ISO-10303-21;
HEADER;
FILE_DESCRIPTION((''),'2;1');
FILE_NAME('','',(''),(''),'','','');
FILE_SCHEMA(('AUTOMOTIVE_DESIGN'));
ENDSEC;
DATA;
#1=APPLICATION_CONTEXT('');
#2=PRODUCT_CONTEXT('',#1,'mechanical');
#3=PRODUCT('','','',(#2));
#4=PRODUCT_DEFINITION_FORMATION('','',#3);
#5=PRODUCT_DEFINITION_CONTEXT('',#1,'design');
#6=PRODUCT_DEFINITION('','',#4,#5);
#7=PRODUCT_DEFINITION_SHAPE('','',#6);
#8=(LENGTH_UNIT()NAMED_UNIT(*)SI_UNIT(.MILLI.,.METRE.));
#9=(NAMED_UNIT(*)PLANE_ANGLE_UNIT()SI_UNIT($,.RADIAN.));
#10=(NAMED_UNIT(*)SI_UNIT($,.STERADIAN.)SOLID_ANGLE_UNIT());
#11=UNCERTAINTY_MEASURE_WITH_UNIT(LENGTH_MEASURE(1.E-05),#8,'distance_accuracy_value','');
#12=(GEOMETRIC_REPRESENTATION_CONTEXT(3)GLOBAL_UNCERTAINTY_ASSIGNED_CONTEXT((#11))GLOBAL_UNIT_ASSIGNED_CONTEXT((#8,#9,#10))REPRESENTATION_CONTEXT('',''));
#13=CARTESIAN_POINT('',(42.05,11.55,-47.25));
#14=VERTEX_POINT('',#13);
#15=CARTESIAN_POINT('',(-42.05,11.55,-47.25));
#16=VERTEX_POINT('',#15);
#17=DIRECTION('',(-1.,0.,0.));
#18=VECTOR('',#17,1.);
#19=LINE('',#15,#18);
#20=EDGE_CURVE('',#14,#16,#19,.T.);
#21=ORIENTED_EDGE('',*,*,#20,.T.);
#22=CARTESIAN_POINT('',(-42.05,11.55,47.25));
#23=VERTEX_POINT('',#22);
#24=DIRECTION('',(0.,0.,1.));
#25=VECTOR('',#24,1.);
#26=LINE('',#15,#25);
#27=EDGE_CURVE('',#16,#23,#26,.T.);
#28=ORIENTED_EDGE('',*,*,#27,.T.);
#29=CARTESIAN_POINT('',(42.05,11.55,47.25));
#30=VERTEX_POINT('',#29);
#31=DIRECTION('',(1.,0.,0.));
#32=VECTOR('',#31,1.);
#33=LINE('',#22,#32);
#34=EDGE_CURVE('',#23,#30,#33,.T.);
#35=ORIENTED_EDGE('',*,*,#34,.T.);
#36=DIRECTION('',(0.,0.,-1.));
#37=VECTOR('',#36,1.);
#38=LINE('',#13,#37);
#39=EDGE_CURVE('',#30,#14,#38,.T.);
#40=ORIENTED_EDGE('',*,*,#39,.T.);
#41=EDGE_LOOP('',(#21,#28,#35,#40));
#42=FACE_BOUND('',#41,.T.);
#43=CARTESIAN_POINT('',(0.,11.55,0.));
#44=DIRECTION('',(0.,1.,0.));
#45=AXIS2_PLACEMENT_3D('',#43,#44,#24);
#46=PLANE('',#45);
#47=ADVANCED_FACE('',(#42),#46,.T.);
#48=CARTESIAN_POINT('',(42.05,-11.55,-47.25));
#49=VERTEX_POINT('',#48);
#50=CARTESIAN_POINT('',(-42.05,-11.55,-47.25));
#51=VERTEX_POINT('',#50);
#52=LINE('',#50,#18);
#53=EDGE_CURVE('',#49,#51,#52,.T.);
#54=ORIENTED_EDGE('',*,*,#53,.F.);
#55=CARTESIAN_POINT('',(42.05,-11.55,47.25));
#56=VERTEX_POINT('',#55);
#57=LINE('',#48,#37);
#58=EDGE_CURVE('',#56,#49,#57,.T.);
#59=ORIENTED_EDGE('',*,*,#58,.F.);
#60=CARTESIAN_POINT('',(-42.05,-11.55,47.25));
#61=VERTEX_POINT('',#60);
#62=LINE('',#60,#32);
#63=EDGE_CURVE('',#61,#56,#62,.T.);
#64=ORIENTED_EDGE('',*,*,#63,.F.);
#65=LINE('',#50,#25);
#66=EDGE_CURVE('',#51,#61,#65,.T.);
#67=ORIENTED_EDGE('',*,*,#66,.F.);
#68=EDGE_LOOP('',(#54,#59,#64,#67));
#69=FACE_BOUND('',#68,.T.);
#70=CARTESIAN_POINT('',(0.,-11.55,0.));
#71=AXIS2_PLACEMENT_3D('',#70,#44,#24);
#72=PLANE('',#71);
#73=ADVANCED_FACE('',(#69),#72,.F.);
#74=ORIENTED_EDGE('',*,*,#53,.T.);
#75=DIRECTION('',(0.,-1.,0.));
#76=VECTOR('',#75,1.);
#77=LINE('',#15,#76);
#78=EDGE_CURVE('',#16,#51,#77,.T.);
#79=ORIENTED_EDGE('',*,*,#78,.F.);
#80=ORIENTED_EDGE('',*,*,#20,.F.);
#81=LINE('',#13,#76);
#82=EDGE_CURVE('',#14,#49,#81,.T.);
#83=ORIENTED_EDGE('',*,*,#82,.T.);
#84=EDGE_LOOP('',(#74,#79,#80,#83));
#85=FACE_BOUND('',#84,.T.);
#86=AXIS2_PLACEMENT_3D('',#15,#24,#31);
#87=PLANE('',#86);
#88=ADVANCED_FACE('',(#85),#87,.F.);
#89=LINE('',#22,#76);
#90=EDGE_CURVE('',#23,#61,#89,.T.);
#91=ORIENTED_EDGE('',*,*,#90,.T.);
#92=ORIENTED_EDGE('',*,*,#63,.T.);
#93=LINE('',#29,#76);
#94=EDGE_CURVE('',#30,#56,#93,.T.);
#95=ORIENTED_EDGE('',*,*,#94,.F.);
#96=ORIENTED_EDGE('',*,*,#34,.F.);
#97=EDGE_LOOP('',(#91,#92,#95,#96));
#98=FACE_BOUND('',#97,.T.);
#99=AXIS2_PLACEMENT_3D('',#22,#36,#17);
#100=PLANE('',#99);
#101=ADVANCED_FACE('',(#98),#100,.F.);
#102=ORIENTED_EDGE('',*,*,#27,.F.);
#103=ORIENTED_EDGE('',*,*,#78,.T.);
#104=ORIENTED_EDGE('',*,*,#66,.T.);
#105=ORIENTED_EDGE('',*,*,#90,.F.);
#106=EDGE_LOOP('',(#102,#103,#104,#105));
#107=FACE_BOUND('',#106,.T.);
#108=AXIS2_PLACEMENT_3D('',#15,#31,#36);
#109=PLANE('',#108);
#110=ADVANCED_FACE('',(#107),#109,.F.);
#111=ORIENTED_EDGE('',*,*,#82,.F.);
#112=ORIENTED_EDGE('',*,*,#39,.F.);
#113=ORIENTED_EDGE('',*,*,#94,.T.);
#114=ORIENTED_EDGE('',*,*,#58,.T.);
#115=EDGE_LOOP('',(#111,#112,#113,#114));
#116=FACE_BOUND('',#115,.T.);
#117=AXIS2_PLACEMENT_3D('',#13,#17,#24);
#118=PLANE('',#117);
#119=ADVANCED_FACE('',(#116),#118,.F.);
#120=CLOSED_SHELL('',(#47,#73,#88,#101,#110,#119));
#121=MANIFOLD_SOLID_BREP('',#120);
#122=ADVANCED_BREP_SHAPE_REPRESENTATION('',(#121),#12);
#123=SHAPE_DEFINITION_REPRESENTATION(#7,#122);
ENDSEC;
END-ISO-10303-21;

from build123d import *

# Parameters (mm, degrees)
SKETCH1_W           = 84.1
SKETCH1_H           = 94.5
BOSS_EXTRUDE1_DEPTH = 11.55


with BuildPart() as part:
    # Sketch1 → Boss-Extrude1 (new body, symmetric)
    with BuildSketch(Plane(origin=(0, 0, 0), x_dir=(1, 0, 0), z_dir=(0, 1, 0))):
        Rectangle(SKETCH1_W, SKETCH1_H)
    extrude(amount=BOSS_EXTRUDE1_DEPTH, both=True)


solid = part.part
